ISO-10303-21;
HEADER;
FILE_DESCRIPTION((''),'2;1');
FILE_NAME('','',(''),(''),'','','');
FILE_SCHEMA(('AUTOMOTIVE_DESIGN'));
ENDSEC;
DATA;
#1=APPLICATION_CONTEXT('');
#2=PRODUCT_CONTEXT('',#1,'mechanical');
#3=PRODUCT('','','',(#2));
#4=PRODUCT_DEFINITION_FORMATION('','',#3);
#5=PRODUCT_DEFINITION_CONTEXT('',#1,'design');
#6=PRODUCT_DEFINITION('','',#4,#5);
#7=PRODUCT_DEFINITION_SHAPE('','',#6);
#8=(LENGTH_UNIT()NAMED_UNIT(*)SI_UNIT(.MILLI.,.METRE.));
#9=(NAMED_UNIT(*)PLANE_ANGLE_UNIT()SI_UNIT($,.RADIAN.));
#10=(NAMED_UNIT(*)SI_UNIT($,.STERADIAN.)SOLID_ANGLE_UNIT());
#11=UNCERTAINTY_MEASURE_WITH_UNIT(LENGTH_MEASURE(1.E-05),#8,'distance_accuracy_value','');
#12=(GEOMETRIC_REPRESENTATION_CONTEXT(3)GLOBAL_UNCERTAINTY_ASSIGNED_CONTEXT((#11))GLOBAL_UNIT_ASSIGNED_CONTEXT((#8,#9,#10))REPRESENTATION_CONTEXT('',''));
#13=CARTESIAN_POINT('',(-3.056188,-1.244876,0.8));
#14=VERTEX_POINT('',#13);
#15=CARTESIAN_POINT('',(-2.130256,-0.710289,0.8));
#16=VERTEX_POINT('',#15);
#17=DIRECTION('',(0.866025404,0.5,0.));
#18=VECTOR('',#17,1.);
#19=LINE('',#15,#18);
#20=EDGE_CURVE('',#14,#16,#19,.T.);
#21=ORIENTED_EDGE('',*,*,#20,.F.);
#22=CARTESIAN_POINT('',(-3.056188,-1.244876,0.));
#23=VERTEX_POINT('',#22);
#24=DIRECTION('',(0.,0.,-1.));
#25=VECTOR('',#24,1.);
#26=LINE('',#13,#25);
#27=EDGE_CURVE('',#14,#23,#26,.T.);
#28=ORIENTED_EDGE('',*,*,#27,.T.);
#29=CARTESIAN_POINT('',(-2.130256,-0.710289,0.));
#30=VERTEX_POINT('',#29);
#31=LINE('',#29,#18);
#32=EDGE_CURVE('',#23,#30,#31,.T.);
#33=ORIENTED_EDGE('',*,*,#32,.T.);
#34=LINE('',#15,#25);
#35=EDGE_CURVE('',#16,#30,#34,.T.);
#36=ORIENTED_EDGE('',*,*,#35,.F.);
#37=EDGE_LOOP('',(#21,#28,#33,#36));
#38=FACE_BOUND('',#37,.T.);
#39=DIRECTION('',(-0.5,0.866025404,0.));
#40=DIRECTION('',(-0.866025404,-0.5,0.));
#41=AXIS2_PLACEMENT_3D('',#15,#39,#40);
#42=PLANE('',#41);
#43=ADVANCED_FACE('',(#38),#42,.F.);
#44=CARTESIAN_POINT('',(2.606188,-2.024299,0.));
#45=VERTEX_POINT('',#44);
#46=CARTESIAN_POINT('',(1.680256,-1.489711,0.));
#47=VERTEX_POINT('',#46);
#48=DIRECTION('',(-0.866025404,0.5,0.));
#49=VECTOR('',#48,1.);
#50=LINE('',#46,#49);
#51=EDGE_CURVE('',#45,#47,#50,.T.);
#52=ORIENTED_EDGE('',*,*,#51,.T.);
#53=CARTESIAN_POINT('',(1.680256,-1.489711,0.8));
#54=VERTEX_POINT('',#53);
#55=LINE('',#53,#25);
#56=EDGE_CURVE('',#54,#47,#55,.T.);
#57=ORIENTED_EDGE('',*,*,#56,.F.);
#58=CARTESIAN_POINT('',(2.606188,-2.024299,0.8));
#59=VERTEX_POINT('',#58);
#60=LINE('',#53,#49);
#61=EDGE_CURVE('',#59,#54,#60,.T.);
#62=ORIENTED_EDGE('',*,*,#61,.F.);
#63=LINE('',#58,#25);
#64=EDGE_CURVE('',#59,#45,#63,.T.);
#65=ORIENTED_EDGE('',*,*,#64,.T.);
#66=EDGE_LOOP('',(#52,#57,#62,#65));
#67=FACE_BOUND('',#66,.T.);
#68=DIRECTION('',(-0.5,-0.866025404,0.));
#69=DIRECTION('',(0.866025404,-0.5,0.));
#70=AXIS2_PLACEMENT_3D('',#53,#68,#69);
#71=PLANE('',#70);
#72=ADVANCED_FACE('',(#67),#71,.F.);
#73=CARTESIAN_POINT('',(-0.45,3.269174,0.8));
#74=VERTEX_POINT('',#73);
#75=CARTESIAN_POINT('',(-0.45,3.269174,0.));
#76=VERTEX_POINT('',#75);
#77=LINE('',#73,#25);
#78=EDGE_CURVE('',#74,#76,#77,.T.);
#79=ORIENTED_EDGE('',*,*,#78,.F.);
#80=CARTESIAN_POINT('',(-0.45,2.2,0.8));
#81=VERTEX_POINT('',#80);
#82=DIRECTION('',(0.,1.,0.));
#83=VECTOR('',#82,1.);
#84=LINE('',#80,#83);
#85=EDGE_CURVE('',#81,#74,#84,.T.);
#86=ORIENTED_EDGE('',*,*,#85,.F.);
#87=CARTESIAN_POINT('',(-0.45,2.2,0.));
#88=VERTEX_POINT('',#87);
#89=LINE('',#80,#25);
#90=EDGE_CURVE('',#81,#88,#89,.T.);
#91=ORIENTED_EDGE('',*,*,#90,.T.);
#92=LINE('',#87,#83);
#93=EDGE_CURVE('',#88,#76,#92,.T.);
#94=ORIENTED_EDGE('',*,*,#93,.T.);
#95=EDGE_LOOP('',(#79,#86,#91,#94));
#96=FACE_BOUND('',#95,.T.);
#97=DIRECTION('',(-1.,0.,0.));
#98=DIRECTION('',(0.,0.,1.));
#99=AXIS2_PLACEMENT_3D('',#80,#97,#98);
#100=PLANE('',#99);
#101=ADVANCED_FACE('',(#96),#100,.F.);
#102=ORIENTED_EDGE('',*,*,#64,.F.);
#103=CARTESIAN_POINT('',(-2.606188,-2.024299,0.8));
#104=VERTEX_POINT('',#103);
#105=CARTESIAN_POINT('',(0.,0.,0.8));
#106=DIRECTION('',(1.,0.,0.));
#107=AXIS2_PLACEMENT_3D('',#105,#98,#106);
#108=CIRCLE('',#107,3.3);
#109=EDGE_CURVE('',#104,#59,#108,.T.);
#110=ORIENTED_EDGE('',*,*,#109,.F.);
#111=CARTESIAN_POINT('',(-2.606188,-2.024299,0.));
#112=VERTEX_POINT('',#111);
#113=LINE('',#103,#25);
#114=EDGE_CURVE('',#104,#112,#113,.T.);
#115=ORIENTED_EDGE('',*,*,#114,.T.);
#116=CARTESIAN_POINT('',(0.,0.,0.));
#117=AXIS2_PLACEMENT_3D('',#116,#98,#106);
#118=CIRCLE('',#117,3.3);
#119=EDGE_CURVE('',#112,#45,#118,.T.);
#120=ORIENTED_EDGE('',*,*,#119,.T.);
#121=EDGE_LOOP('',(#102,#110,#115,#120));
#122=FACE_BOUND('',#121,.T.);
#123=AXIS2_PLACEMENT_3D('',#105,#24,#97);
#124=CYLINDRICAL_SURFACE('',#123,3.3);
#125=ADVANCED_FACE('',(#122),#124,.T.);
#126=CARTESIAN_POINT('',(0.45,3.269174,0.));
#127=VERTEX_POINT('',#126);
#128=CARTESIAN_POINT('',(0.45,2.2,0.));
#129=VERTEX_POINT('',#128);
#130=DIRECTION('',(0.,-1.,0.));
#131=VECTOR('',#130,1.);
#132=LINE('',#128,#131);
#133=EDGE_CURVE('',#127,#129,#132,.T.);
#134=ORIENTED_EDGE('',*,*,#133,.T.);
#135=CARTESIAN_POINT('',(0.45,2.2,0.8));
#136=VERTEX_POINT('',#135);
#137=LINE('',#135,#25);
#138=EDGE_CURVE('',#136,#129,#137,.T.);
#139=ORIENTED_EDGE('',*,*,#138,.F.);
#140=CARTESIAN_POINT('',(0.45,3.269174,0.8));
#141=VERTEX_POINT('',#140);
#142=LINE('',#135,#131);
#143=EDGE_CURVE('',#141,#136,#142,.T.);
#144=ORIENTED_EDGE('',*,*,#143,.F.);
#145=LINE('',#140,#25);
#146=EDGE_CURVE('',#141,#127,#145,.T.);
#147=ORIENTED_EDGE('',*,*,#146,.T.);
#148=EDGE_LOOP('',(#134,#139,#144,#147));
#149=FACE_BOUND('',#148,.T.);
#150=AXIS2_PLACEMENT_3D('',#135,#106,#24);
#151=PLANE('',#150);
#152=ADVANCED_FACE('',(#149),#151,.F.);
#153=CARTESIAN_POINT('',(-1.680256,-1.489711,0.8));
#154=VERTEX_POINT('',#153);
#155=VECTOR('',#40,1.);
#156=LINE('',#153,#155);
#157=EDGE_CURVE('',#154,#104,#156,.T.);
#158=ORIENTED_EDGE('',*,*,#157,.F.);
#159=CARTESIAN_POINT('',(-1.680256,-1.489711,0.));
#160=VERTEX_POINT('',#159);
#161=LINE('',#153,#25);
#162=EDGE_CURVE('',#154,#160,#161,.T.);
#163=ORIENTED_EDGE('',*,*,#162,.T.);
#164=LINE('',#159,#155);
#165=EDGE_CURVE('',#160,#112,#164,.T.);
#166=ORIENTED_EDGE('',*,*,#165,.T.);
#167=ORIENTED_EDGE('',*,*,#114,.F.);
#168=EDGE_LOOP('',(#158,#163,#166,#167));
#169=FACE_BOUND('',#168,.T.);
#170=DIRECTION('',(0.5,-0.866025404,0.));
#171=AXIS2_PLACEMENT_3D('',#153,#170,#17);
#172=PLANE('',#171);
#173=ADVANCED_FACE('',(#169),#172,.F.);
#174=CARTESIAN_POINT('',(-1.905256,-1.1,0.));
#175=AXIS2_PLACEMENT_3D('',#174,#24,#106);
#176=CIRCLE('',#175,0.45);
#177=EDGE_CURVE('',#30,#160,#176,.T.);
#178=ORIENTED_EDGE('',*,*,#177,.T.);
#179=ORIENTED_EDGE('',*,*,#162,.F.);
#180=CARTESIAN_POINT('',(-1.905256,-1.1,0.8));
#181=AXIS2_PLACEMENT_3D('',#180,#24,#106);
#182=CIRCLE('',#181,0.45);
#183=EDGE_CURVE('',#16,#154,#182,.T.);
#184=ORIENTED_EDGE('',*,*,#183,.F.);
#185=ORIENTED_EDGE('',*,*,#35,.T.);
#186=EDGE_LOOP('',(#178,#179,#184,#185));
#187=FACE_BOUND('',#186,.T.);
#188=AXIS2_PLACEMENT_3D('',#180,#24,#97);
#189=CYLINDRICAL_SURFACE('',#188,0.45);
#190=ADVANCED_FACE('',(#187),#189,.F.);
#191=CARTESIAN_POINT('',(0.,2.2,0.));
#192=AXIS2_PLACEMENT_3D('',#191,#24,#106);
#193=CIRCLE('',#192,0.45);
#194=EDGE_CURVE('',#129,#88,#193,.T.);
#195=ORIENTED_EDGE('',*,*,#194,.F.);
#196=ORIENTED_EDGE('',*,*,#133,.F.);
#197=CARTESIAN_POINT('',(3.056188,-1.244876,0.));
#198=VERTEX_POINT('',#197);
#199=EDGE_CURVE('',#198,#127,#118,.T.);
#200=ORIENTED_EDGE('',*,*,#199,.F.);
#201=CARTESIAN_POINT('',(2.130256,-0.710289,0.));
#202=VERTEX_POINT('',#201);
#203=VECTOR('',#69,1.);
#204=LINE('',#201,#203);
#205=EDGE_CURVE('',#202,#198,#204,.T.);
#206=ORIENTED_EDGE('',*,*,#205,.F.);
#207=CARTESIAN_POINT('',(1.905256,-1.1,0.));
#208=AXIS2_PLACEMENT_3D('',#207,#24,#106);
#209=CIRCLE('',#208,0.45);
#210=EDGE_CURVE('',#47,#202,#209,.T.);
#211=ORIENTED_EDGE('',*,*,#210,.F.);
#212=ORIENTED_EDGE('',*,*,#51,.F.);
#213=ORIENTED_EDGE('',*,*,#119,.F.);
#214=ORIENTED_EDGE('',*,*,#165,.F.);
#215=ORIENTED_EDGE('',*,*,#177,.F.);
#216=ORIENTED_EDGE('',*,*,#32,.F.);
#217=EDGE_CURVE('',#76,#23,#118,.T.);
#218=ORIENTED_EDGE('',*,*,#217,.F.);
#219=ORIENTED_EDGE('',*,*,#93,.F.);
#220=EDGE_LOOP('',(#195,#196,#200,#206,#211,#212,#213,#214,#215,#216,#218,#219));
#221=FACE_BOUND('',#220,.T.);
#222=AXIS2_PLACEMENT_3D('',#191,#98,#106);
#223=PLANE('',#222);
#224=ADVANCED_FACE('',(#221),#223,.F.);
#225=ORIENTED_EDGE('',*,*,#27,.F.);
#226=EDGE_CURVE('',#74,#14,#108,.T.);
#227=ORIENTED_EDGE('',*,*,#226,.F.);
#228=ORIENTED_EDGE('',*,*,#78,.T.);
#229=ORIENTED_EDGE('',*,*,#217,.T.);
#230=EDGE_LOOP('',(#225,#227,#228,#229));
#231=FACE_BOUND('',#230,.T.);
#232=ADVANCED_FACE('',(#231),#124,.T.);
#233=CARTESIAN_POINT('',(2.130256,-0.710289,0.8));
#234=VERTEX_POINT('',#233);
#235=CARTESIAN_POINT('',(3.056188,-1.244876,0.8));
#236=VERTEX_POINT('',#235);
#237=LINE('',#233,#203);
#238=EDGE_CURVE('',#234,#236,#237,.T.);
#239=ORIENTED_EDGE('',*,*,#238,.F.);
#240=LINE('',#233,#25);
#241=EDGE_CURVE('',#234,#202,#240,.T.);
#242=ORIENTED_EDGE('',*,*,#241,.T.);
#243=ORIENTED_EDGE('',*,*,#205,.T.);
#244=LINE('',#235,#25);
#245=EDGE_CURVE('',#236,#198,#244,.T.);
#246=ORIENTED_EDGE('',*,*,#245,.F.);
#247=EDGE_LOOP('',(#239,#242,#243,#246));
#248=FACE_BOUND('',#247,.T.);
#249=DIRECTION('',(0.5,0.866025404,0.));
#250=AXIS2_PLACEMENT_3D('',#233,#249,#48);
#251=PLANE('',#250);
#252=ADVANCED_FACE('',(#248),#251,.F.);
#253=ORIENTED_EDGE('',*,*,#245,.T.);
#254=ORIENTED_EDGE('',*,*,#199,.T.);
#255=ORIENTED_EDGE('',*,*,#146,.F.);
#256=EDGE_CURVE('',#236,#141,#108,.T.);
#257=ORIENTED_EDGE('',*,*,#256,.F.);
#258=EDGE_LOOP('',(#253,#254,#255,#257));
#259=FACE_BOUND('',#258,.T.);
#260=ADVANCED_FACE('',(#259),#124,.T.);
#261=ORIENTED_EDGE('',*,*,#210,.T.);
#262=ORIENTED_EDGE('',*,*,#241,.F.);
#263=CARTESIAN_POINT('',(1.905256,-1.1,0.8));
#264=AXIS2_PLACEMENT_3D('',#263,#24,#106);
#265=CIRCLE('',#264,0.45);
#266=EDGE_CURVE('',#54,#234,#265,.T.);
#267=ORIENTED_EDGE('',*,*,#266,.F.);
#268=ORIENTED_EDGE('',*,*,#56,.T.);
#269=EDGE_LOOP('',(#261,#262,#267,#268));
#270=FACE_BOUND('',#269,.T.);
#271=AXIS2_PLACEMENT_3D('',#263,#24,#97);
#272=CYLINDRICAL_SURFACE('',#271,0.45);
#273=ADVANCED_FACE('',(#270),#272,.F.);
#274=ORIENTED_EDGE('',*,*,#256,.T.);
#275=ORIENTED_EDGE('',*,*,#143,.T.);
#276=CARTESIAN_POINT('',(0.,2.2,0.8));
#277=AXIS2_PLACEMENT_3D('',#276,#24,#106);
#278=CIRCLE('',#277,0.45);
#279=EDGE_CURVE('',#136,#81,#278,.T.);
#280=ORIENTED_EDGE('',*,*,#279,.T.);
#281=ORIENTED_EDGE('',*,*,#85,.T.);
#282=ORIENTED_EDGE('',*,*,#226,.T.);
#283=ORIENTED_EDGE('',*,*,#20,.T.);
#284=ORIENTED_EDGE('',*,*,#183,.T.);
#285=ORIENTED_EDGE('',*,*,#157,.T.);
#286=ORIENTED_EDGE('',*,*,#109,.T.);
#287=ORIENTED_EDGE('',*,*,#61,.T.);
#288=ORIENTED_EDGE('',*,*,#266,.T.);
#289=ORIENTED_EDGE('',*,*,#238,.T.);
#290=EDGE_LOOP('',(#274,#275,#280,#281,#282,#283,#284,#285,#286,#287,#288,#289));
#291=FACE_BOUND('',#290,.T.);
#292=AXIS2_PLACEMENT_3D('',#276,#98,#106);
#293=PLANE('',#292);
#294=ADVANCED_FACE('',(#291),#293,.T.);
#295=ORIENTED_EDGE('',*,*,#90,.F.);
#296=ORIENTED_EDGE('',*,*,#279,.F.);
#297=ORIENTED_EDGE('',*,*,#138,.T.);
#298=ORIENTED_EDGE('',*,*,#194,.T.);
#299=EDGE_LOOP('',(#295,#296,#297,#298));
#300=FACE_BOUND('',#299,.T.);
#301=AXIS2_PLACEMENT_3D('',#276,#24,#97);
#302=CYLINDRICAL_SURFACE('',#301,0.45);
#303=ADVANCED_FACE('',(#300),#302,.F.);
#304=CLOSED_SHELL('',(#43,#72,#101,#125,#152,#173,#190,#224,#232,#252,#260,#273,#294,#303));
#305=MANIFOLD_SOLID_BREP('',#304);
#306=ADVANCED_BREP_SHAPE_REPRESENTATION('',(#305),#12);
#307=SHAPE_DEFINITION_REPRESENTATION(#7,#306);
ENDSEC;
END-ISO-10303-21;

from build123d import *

# Parameters (mm, degrees)
BOSS_EXTRUDE1_DEPTH = 0.8


with BuildPart() as part:
    # Sketch2 → Boss-Extrude1 (new body)
    with BuildSketch(Plane.XY):
        with BuildLine():
            Line((-0.45, 2.2), (-0.45, 3.269174208))
            ThreePointArc((-0.45, 3.269174208), (-2.857883832, 1.65), (-3.056187913, -1.244875672))
            Line((-3.056187913, -1.244875672), (-2.130255888, -0.710288568))
            ThreePointArc((-2.130255888, -0.710288568), (-1.515544457, -0.875), (-1.680255888, -1.489711432))
            Line((-1.680255888, -1.489711432), (-2.606187913, -2.024298536))
            ThreePointArc((-2.606187913, -2.024298536), (0, -3.3), (2.606187913, -2.024298536))
            Line((2.606187913, -2.024298536), (1.680255888, -1.489711432))
            ThreePointArc((1.680255888, -1.489711432), (1.515544457, -0.875), (2.130255888, -0.710288568))
            Line((2.130255888, -0.710288568), (3.056187913, -1.244875672))
            ThreePointArc((3.056187913, -1.244875672), (2.857883832, 1.65), (0.45, 3.269174208))
            Line((0.45, 3.269174208), (0.45, 2.2))
            ThreePointArc((0.45, 2.2), (0, 1.75), (-0.45, 2.2))
        make_face()
    extrude(amount=BOSS_EXTRUDE1_DEPTH)


solid = part.part
